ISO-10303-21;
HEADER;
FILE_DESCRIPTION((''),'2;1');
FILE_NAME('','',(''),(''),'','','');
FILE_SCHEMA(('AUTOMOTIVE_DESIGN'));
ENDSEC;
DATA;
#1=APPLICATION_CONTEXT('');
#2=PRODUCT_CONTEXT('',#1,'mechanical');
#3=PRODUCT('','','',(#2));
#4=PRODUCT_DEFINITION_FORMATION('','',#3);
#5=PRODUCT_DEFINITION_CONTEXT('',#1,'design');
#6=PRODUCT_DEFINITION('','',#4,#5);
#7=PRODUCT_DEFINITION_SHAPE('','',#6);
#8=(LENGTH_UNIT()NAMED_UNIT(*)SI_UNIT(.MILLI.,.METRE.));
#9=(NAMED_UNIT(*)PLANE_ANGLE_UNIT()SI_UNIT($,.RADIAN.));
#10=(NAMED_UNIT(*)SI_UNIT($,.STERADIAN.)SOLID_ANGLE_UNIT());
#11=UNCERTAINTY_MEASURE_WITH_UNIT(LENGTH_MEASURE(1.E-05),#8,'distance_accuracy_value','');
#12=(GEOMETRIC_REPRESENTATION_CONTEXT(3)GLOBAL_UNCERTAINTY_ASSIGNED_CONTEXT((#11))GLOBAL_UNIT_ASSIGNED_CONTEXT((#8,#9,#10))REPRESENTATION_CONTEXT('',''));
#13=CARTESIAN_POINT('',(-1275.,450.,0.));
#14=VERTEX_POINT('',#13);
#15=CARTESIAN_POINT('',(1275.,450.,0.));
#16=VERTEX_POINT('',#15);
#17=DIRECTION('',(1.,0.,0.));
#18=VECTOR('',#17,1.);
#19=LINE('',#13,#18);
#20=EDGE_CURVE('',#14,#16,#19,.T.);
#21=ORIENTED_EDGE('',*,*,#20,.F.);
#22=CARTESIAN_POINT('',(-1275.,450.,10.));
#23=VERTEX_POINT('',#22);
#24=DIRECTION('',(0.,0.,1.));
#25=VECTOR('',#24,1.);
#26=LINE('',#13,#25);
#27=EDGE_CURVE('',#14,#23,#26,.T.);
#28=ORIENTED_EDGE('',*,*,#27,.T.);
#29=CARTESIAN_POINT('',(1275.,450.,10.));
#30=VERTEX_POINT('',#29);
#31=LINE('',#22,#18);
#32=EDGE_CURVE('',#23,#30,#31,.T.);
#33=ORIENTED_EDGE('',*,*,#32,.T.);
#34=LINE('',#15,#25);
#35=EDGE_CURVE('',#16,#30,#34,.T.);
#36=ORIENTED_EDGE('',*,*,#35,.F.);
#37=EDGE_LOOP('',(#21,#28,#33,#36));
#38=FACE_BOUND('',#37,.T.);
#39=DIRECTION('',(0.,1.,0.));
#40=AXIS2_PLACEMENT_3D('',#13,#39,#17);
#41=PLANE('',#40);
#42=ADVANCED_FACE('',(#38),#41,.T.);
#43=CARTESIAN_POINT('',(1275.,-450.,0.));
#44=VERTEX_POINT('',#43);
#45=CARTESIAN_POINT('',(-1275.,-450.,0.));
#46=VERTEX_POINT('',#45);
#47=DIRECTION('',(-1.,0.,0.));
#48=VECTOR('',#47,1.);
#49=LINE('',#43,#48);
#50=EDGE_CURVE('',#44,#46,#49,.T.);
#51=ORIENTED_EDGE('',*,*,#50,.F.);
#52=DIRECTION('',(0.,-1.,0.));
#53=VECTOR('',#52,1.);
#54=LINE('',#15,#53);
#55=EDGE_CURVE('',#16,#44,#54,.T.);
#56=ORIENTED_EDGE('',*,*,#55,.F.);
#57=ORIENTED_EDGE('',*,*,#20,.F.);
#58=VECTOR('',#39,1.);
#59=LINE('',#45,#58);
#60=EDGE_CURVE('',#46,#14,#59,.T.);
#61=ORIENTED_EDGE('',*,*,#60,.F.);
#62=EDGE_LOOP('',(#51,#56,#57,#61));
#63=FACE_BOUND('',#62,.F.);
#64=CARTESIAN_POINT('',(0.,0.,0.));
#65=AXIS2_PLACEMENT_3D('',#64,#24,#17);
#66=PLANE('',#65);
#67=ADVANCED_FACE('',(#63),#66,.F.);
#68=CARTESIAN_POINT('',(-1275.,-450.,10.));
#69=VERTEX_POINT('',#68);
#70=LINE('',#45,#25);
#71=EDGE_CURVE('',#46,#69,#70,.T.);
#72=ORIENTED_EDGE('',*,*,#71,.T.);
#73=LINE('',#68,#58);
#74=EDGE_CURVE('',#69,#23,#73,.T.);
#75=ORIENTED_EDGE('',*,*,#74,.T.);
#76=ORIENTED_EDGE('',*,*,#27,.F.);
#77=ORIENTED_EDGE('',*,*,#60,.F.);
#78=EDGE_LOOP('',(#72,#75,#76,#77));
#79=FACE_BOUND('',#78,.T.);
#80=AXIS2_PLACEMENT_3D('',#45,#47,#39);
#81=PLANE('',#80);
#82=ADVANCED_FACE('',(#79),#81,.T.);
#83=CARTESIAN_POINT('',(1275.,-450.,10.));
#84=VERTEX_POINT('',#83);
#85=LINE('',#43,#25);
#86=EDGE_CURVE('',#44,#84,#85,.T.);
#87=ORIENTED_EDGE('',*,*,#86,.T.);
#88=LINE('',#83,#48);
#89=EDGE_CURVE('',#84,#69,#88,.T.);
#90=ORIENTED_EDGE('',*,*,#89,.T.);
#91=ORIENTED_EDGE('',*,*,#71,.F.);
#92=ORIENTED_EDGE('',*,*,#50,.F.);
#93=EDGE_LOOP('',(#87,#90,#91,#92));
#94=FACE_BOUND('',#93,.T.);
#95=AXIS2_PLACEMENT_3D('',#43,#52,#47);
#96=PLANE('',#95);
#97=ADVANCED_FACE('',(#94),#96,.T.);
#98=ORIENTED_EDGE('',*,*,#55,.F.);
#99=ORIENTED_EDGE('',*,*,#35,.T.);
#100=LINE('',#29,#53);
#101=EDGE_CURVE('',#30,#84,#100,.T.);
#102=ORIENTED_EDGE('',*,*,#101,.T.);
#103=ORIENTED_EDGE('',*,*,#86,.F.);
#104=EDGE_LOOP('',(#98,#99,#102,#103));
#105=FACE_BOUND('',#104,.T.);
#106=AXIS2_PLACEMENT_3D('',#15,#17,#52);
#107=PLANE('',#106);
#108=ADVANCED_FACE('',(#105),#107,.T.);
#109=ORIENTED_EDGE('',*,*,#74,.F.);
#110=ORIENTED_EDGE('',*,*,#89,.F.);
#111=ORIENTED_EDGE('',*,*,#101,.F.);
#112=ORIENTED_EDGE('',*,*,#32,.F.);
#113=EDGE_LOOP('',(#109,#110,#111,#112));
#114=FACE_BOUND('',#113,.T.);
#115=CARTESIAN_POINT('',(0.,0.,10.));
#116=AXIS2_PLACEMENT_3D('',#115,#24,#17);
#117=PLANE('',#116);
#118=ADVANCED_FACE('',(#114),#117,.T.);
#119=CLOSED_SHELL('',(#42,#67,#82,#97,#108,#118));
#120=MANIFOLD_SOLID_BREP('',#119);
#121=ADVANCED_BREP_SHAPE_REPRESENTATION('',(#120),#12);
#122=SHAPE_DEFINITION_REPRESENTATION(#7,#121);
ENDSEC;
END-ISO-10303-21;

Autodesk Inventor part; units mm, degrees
ref_plane "YZ Plane" through (0, 0, 0) normal (1, 0, 0) x (0, 1, 0)
ref_plane "XZ Plane" through (0, 0, 0) normal (0, 1, 0) x (-1, 0, 0)
ref_plane "XY Plane" through (0, 0, 0) normal (0, 0, 1) x (1, 0, 0)
sketch "Sketch1" plane through (0, 0, 0) normal (0, 0, 1) x (1, 0, 0)
  line L0 (-1275, 450) -> (1275, 450)
  line L1 (1275, 450) -> (1275, -450)
  line L2 (1275, -450) -> (-1275, -450)
  line L3 (-1275, -450) -> (-1275, 450)
  line L4 (-1275, 450) -> (1275, -450) construction
  line L5 (1275, 450) -> (-1275, -450) construction
  point P0 (0, 0)
  dimension "d0" = 2550
  dimension "d1" = 900
extrude "Extrusion1" add sketch "Sketch1" along normal blind 10
properties part number "Wall"
